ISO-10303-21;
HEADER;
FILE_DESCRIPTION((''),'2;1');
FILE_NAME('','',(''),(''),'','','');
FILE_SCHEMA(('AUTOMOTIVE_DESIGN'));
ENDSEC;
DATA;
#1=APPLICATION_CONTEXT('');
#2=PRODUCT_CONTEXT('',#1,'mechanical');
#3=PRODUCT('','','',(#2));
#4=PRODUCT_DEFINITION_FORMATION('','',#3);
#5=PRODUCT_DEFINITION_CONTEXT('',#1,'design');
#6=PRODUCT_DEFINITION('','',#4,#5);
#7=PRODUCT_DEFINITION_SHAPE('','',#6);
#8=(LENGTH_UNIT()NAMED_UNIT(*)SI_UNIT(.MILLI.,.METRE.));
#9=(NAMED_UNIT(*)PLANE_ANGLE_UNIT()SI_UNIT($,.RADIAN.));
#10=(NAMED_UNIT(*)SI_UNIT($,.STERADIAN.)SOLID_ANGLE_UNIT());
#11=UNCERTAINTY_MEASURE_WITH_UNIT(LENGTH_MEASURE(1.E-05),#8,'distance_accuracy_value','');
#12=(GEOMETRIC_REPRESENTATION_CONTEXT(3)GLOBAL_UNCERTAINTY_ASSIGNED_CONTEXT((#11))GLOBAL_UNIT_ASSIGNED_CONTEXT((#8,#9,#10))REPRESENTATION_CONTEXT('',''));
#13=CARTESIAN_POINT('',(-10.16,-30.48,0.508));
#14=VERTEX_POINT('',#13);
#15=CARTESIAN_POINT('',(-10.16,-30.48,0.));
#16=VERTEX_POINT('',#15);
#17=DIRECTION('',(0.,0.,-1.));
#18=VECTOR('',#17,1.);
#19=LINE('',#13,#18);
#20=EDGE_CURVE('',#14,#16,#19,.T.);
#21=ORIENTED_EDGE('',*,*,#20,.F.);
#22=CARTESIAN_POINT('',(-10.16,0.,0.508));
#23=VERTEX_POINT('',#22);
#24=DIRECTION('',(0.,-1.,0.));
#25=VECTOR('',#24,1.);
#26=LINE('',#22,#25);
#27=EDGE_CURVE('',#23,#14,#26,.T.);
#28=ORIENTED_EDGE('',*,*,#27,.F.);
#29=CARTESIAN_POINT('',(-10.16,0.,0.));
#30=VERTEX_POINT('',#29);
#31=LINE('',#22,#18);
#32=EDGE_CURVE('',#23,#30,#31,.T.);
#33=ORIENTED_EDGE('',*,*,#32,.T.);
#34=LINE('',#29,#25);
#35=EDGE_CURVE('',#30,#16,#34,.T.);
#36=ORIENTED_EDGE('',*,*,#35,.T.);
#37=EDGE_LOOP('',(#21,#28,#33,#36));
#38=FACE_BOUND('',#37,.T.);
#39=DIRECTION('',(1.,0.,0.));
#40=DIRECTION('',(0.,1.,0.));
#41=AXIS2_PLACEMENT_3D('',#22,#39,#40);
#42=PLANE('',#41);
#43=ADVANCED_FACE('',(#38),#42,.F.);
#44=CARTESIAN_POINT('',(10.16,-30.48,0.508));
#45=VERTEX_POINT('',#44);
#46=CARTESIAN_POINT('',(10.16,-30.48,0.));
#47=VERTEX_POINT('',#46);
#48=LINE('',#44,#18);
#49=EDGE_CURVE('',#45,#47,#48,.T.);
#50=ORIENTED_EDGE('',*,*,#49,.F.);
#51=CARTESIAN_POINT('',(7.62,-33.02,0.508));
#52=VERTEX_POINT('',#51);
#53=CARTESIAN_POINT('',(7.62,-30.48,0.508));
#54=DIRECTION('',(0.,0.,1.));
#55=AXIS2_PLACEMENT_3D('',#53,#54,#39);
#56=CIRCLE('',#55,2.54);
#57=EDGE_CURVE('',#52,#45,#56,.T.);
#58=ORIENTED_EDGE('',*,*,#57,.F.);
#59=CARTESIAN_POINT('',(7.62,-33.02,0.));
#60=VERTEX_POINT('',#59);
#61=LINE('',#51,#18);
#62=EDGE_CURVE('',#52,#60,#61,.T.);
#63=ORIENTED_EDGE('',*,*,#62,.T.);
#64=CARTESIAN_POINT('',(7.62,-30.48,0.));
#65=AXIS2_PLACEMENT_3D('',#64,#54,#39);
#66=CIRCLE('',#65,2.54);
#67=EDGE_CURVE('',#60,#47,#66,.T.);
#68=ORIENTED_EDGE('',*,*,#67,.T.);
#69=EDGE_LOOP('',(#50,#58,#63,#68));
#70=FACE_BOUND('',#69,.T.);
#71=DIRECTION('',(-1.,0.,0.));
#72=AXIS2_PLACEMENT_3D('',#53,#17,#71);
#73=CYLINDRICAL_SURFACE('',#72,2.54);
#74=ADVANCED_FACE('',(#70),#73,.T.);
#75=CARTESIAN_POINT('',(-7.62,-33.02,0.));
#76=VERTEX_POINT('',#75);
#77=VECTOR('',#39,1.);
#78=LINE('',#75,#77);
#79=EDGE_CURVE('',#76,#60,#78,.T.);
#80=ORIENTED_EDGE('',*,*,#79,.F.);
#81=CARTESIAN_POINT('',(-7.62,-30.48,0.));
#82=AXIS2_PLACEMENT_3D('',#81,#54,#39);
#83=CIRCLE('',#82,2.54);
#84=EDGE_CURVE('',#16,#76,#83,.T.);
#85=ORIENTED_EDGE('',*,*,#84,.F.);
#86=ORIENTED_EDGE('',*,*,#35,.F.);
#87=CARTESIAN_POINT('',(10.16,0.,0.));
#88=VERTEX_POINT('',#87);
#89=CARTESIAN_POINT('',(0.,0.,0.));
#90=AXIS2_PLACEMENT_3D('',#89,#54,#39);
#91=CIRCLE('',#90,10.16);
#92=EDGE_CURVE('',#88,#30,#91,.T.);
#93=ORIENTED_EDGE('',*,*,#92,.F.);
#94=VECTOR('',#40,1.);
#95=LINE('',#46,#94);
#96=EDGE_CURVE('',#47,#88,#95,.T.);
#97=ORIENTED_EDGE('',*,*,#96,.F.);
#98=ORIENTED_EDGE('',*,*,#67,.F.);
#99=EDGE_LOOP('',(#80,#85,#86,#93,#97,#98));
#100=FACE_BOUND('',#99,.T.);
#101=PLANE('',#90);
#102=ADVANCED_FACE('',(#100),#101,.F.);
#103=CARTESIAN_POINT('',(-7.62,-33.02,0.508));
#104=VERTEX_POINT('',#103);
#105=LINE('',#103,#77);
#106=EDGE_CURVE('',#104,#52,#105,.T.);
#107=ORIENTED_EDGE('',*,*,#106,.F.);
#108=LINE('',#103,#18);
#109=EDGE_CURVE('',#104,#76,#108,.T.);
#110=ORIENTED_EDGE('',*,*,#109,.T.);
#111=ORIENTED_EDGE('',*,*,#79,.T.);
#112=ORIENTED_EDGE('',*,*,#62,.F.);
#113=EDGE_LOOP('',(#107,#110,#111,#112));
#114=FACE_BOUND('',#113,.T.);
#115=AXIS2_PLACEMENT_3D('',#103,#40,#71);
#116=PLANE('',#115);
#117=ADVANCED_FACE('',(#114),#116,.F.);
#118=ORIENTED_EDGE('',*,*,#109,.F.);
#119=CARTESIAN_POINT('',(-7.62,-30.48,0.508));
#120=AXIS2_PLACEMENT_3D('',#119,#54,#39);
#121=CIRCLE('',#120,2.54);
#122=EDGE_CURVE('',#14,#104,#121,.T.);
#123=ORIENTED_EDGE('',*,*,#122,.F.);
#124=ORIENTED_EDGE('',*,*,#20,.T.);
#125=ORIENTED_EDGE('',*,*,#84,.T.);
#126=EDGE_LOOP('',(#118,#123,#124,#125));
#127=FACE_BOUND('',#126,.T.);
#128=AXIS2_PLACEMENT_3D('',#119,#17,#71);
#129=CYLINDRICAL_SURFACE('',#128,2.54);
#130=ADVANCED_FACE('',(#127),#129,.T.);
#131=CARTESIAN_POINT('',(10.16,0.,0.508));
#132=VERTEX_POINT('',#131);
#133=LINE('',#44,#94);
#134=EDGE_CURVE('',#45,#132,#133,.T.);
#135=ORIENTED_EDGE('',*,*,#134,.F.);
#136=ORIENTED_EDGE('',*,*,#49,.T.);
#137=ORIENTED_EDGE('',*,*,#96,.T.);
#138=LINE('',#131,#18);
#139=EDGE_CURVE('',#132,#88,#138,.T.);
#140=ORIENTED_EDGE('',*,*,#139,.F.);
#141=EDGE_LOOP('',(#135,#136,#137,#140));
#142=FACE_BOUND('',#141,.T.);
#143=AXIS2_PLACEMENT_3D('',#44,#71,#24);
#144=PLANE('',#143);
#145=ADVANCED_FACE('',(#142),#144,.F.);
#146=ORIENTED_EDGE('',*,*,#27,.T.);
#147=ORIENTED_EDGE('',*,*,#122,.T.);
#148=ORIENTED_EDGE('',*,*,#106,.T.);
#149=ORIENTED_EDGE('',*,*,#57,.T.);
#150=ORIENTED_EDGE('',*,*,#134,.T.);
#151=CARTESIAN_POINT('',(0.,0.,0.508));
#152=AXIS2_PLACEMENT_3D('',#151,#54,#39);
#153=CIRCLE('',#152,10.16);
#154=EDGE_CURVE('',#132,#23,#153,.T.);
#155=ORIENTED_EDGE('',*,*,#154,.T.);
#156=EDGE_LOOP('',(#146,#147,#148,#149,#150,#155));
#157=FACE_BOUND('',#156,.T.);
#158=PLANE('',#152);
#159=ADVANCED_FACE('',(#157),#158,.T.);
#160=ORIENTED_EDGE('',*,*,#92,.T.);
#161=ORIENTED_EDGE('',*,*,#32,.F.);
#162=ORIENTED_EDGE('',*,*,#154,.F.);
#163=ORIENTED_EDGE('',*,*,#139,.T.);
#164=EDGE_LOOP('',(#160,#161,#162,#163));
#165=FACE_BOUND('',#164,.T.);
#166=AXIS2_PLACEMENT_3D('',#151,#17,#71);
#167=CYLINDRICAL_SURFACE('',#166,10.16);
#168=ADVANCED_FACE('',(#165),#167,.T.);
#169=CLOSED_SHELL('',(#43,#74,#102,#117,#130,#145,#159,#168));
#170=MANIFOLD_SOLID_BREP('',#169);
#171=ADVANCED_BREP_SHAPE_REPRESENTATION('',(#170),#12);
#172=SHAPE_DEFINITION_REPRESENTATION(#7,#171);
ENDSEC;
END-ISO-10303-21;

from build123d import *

# Parameters (mm, degrees)
BOSS_EXTRUDE1_DEPTH = 0.508


with BuildPart() as part:
    # Sketch1 → Boss-Extrude1 (new body)
    with BuildSketch(Plane.XY):
        with BuildLine():
            Line((10.16, -30.48), (10.16, 0))
            ThreePointArc((10.16, 0), (0, 10.16), (-10.16, 0))
            Line((-10.16, 0), (-10.16, -30.48))
            ThreePointArc((-10.16, -30.48), (-9.416051224, -32.276051224), (-7.62, -33.02))
            Line((-7.62, -33.02), (7.62, -33.02))
            ThreePointArc((7.62, -33.02), (9.416051224, -32.276051224), (10.16, -30.48))
        make_face()
    extrude(amount=BOSS_EXTRUDE1_DEPTH)


solid = part.part
